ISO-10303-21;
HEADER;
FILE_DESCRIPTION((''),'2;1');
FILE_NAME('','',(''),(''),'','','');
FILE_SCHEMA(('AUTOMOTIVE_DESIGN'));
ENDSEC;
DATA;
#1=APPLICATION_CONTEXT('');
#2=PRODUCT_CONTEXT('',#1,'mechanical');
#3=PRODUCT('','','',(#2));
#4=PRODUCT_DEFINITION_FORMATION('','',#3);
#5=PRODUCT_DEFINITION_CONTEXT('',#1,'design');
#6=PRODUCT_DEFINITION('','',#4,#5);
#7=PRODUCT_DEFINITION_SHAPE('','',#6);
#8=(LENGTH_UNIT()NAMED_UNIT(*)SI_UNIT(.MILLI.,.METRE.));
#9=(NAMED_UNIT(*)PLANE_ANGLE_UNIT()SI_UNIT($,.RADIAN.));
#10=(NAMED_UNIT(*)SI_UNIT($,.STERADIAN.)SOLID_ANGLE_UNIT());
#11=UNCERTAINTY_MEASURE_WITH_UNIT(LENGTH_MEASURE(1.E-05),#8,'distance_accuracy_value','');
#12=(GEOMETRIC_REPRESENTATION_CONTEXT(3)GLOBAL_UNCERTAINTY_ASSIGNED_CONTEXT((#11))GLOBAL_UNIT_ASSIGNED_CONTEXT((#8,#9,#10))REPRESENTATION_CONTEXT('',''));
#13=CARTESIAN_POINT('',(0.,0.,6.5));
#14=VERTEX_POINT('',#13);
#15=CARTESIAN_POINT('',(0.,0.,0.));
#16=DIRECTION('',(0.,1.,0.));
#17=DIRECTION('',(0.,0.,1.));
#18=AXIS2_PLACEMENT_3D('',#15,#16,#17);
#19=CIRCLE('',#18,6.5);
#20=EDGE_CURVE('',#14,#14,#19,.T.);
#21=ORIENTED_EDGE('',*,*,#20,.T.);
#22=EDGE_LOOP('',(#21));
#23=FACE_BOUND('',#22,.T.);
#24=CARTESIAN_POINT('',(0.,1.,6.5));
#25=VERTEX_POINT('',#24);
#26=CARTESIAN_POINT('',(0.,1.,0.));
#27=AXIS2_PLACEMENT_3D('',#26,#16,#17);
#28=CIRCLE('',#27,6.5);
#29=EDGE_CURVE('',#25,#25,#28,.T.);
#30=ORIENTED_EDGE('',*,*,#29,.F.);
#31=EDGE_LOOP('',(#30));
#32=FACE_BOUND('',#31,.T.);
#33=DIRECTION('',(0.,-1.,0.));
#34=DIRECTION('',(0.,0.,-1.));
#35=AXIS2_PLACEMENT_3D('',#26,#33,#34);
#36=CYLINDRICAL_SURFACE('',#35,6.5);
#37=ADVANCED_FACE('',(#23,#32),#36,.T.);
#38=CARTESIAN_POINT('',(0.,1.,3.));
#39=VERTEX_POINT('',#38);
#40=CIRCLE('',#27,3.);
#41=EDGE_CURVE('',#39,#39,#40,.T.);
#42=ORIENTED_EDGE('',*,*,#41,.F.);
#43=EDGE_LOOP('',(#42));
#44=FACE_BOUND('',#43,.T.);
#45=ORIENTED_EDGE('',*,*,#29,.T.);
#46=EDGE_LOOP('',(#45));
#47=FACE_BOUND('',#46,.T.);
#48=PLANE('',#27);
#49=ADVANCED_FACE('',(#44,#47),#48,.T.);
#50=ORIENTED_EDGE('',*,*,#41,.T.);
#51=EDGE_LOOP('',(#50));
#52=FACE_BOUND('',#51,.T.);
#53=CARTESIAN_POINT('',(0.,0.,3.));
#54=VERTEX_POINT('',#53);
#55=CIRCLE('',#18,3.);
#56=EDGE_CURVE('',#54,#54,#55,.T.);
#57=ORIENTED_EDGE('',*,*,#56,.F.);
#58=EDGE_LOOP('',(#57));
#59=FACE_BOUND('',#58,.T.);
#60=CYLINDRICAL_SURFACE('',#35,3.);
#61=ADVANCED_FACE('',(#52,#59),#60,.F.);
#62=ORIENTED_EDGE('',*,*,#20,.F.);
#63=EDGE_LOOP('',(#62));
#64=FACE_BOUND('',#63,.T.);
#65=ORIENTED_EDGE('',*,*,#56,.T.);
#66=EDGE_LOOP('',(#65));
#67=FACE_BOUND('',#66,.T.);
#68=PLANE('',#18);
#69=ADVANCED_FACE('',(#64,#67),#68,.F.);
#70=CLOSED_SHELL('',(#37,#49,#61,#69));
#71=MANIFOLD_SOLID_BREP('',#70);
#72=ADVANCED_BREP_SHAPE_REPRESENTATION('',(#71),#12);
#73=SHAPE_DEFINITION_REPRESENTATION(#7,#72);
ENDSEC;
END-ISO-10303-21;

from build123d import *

# Parameters (mm, degrees)
SKETCH_1_R      = 6.5
SKETCH_1_R_2    = 3
EXTRUDE_1_DEPTH = 1


with BuildPart() as part:
    # 草图1 → 凸台-拉伸1 (new body)
    with BuildSketch(Plane(origin=(0, 0, 0), x_dir=(1, 0, 0), z_dir=(0, 1, 0))):
        Circle(SKETCH_1_R)
        Circle(SKETCH_1_R_2, mode=Mode.SUBTRACT)
    extrude(amount=EXTRUDE_1_DEPTH)


solid = part.part
